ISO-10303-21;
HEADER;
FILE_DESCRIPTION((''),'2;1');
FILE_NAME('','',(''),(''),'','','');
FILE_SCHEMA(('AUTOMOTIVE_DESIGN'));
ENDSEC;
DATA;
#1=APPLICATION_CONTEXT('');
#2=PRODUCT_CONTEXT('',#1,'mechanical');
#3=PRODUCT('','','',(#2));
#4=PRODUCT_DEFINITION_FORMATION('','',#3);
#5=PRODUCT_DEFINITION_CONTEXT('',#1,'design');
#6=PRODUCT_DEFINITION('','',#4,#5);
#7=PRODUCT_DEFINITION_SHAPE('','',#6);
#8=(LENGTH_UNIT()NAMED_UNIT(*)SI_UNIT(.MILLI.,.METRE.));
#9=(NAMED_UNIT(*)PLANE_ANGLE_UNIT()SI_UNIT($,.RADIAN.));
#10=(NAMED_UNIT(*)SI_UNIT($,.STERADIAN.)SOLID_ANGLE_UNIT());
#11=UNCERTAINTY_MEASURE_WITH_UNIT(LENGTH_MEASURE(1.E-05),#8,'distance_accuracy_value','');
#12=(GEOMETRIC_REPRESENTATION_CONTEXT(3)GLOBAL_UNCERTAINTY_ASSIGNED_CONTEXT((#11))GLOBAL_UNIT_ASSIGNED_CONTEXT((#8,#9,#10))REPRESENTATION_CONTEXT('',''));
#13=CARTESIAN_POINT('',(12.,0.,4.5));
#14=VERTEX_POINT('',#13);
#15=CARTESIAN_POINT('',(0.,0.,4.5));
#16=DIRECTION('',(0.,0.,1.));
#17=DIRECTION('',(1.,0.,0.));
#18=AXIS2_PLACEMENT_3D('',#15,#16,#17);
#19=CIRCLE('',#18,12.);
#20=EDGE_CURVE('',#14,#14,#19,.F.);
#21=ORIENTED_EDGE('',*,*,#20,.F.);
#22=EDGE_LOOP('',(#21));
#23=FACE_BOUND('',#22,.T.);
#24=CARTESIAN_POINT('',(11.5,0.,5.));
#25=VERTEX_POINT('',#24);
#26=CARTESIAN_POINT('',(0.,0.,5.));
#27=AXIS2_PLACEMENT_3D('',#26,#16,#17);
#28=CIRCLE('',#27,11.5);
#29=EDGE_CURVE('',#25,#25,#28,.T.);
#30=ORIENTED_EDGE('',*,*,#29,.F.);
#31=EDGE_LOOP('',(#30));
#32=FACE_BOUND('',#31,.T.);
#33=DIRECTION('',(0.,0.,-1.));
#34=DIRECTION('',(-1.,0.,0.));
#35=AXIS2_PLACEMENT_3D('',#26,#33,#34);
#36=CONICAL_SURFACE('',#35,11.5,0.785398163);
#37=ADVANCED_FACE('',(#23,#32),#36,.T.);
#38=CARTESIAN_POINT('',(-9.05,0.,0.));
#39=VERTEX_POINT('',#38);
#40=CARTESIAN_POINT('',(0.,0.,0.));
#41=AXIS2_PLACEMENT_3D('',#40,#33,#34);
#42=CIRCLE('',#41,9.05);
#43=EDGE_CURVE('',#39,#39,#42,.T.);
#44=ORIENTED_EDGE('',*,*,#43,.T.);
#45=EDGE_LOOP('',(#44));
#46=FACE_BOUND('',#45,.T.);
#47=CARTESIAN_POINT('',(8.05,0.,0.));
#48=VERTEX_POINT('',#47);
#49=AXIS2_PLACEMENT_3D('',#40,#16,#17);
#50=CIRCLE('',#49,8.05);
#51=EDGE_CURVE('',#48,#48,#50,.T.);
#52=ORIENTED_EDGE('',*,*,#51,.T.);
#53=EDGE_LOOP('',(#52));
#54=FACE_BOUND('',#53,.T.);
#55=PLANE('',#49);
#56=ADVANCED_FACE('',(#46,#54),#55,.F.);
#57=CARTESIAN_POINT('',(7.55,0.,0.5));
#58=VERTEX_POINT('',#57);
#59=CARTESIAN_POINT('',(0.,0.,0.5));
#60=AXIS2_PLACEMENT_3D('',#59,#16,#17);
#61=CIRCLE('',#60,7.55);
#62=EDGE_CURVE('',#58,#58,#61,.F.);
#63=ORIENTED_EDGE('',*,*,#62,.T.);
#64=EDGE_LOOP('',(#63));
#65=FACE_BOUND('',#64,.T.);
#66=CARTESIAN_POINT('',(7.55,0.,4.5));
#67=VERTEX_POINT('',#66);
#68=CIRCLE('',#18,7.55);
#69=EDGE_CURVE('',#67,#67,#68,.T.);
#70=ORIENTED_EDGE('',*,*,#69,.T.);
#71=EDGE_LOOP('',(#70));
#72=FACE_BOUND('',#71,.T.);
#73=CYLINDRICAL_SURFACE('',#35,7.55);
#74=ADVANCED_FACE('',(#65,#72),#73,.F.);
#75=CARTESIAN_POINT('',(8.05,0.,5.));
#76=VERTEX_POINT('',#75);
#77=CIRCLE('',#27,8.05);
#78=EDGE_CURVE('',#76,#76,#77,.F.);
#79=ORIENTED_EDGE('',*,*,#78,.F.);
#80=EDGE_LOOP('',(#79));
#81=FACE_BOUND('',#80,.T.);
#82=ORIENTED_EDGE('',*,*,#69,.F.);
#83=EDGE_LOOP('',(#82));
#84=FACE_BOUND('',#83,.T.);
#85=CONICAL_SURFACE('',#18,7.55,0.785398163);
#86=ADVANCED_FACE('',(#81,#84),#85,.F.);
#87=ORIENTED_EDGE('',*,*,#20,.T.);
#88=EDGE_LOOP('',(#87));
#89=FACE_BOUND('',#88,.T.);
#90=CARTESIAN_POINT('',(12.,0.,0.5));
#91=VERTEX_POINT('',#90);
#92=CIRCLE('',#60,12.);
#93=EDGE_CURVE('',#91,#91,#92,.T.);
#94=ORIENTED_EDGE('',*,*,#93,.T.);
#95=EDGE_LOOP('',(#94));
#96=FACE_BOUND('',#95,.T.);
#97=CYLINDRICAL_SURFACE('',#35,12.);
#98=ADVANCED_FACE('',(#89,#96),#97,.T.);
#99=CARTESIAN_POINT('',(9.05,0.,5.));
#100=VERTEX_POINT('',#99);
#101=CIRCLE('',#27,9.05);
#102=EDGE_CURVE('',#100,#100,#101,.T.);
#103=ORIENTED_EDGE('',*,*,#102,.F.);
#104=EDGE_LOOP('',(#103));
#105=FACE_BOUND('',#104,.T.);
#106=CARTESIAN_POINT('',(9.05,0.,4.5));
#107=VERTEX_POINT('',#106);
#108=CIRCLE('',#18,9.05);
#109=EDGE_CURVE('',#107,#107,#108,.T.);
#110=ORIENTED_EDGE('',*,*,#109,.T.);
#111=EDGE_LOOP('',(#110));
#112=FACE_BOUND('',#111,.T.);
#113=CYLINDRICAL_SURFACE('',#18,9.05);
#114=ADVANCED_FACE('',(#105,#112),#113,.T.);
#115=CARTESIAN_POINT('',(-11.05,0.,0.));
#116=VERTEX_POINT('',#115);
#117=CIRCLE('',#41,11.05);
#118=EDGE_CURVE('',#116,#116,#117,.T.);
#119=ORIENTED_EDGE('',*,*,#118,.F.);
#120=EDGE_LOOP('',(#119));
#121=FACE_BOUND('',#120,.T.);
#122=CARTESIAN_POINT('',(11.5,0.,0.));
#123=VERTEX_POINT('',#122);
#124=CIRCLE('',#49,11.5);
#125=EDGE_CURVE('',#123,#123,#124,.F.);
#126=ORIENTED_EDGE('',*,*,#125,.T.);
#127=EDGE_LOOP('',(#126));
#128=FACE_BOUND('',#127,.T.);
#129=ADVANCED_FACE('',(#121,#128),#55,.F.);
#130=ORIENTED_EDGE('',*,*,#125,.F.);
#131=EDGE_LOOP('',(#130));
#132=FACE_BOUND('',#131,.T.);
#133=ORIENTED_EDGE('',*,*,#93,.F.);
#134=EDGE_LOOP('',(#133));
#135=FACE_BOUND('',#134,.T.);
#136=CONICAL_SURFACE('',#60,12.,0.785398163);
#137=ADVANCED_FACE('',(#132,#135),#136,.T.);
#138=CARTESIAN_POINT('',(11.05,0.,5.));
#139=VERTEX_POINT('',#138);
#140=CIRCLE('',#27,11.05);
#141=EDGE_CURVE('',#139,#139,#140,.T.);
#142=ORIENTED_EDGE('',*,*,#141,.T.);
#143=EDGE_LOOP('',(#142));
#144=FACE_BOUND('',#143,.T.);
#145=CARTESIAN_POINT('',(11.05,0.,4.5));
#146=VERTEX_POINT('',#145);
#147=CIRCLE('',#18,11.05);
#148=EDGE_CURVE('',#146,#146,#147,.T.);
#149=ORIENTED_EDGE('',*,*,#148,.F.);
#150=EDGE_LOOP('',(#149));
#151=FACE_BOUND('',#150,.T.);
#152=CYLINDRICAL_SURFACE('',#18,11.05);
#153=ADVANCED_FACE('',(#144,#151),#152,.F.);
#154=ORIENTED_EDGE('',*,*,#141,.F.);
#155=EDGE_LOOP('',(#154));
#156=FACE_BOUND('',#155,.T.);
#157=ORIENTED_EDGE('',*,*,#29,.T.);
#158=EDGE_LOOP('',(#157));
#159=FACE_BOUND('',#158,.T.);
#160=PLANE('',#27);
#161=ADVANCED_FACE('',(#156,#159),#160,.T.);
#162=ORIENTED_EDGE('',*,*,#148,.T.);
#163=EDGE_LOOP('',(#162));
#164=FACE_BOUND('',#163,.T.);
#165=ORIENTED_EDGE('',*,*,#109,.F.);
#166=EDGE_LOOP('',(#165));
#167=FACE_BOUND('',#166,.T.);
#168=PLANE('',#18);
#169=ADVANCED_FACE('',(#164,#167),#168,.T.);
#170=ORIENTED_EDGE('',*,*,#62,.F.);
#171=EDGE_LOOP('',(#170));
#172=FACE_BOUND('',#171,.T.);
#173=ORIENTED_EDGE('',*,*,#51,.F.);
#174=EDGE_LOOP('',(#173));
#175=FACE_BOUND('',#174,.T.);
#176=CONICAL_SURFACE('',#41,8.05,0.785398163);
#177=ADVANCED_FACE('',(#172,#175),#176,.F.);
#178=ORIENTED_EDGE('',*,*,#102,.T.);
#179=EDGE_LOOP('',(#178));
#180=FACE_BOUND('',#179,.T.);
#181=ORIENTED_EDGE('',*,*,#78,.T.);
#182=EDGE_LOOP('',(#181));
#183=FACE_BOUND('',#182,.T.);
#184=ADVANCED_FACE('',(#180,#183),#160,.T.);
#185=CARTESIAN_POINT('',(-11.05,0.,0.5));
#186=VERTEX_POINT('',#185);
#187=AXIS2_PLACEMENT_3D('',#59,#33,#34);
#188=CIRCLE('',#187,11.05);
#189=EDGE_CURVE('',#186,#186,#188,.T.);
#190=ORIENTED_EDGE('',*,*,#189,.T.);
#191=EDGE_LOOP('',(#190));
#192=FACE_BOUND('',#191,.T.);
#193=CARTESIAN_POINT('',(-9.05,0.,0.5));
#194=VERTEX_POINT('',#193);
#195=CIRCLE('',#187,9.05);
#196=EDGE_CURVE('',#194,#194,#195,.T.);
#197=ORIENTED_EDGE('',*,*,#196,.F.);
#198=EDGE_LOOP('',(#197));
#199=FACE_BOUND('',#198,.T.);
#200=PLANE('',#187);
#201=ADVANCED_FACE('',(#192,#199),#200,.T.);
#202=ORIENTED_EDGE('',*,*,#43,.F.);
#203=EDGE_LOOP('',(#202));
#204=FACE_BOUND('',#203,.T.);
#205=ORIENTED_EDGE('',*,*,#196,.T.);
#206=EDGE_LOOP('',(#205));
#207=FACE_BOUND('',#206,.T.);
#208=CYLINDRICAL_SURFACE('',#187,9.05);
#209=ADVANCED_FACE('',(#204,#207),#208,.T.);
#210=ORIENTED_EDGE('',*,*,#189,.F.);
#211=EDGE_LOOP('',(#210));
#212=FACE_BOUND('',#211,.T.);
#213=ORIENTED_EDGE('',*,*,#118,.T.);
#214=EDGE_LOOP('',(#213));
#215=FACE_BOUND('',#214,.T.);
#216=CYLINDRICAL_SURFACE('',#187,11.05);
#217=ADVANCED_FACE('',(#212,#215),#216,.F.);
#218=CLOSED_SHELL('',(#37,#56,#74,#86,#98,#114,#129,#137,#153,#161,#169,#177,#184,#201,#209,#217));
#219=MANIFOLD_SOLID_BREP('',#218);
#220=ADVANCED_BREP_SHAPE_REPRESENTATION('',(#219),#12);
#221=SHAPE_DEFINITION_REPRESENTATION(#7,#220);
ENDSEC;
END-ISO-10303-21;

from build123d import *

# Parameters (mm, degrees)
ESBO_O1_R                = 12
ESBO_O1_R_2              = 7.55
RESSALTO_EXTRUS_O1_DEPTH = 5
ESBO_O2_R                = 11.05
ESBO_O2_R_2              = 9.05
CORTE_EXTRUS_O1_DEPTH    = 0.5
ESBO_O3_R                = 11.05
ESBO_O3_R_2              = 9.05
CORTE_EXTRUS_O2_DEPTH    = 0.5
CHANFRO1_SIZE            = 0.5


with BuildPart() as part:
    # Esboço1 → Ressalto-extrusão1 (new body)
    with BuildSketch(Plane.XY):
        Circle(ESBO_O1_R)
        Circle(ESBO_O1_R_2, mode=Mode.SUBTRACT)
    extrude(amount=RESSALTO_EXTRUS_O1_DEPTH)

    # Esboço2 → Corte-extrusão1 (cut)
    with BuildSketch(Plane.XY.offset(5)):
        Circle(ESBO_O2_R)
        Circle(ESBO_O2_R_2, mode=Mode.SUBTRACT)
    extrude(amount=-CORTE_EXTRUS_O1_DEPTH, mode=Mode.SUBTRACT)

    # Esboço3 → Corte-extrusão2 (cut)
    with BuildSketch(Plane(origin=(0, 0, 0), x_dir=(-1, 0, 0), z_dir=(0, 0, -1))):
        Circle(ESBO_O3_R)
        Circle(ESBO_O3_R_2, mode=Mode.SUBTRACT)
    extrude(amount=-CORTE_EXTRUS_O2_DEPTH, mode=Mode.SUBTRACT)

    # Chanfro1
    chanfro1_edges = [part.edges().sort_by_distance(p)[0] for p in [
        (-12, 0, 0),
        (-12, 0, 5),
        (-7.55, 0, 0),
        (-7.55, 0, 5),
    ]]
    chamfer(chanfro1_edges, length=CHANFRO1_SIZE)


solid = part.part
